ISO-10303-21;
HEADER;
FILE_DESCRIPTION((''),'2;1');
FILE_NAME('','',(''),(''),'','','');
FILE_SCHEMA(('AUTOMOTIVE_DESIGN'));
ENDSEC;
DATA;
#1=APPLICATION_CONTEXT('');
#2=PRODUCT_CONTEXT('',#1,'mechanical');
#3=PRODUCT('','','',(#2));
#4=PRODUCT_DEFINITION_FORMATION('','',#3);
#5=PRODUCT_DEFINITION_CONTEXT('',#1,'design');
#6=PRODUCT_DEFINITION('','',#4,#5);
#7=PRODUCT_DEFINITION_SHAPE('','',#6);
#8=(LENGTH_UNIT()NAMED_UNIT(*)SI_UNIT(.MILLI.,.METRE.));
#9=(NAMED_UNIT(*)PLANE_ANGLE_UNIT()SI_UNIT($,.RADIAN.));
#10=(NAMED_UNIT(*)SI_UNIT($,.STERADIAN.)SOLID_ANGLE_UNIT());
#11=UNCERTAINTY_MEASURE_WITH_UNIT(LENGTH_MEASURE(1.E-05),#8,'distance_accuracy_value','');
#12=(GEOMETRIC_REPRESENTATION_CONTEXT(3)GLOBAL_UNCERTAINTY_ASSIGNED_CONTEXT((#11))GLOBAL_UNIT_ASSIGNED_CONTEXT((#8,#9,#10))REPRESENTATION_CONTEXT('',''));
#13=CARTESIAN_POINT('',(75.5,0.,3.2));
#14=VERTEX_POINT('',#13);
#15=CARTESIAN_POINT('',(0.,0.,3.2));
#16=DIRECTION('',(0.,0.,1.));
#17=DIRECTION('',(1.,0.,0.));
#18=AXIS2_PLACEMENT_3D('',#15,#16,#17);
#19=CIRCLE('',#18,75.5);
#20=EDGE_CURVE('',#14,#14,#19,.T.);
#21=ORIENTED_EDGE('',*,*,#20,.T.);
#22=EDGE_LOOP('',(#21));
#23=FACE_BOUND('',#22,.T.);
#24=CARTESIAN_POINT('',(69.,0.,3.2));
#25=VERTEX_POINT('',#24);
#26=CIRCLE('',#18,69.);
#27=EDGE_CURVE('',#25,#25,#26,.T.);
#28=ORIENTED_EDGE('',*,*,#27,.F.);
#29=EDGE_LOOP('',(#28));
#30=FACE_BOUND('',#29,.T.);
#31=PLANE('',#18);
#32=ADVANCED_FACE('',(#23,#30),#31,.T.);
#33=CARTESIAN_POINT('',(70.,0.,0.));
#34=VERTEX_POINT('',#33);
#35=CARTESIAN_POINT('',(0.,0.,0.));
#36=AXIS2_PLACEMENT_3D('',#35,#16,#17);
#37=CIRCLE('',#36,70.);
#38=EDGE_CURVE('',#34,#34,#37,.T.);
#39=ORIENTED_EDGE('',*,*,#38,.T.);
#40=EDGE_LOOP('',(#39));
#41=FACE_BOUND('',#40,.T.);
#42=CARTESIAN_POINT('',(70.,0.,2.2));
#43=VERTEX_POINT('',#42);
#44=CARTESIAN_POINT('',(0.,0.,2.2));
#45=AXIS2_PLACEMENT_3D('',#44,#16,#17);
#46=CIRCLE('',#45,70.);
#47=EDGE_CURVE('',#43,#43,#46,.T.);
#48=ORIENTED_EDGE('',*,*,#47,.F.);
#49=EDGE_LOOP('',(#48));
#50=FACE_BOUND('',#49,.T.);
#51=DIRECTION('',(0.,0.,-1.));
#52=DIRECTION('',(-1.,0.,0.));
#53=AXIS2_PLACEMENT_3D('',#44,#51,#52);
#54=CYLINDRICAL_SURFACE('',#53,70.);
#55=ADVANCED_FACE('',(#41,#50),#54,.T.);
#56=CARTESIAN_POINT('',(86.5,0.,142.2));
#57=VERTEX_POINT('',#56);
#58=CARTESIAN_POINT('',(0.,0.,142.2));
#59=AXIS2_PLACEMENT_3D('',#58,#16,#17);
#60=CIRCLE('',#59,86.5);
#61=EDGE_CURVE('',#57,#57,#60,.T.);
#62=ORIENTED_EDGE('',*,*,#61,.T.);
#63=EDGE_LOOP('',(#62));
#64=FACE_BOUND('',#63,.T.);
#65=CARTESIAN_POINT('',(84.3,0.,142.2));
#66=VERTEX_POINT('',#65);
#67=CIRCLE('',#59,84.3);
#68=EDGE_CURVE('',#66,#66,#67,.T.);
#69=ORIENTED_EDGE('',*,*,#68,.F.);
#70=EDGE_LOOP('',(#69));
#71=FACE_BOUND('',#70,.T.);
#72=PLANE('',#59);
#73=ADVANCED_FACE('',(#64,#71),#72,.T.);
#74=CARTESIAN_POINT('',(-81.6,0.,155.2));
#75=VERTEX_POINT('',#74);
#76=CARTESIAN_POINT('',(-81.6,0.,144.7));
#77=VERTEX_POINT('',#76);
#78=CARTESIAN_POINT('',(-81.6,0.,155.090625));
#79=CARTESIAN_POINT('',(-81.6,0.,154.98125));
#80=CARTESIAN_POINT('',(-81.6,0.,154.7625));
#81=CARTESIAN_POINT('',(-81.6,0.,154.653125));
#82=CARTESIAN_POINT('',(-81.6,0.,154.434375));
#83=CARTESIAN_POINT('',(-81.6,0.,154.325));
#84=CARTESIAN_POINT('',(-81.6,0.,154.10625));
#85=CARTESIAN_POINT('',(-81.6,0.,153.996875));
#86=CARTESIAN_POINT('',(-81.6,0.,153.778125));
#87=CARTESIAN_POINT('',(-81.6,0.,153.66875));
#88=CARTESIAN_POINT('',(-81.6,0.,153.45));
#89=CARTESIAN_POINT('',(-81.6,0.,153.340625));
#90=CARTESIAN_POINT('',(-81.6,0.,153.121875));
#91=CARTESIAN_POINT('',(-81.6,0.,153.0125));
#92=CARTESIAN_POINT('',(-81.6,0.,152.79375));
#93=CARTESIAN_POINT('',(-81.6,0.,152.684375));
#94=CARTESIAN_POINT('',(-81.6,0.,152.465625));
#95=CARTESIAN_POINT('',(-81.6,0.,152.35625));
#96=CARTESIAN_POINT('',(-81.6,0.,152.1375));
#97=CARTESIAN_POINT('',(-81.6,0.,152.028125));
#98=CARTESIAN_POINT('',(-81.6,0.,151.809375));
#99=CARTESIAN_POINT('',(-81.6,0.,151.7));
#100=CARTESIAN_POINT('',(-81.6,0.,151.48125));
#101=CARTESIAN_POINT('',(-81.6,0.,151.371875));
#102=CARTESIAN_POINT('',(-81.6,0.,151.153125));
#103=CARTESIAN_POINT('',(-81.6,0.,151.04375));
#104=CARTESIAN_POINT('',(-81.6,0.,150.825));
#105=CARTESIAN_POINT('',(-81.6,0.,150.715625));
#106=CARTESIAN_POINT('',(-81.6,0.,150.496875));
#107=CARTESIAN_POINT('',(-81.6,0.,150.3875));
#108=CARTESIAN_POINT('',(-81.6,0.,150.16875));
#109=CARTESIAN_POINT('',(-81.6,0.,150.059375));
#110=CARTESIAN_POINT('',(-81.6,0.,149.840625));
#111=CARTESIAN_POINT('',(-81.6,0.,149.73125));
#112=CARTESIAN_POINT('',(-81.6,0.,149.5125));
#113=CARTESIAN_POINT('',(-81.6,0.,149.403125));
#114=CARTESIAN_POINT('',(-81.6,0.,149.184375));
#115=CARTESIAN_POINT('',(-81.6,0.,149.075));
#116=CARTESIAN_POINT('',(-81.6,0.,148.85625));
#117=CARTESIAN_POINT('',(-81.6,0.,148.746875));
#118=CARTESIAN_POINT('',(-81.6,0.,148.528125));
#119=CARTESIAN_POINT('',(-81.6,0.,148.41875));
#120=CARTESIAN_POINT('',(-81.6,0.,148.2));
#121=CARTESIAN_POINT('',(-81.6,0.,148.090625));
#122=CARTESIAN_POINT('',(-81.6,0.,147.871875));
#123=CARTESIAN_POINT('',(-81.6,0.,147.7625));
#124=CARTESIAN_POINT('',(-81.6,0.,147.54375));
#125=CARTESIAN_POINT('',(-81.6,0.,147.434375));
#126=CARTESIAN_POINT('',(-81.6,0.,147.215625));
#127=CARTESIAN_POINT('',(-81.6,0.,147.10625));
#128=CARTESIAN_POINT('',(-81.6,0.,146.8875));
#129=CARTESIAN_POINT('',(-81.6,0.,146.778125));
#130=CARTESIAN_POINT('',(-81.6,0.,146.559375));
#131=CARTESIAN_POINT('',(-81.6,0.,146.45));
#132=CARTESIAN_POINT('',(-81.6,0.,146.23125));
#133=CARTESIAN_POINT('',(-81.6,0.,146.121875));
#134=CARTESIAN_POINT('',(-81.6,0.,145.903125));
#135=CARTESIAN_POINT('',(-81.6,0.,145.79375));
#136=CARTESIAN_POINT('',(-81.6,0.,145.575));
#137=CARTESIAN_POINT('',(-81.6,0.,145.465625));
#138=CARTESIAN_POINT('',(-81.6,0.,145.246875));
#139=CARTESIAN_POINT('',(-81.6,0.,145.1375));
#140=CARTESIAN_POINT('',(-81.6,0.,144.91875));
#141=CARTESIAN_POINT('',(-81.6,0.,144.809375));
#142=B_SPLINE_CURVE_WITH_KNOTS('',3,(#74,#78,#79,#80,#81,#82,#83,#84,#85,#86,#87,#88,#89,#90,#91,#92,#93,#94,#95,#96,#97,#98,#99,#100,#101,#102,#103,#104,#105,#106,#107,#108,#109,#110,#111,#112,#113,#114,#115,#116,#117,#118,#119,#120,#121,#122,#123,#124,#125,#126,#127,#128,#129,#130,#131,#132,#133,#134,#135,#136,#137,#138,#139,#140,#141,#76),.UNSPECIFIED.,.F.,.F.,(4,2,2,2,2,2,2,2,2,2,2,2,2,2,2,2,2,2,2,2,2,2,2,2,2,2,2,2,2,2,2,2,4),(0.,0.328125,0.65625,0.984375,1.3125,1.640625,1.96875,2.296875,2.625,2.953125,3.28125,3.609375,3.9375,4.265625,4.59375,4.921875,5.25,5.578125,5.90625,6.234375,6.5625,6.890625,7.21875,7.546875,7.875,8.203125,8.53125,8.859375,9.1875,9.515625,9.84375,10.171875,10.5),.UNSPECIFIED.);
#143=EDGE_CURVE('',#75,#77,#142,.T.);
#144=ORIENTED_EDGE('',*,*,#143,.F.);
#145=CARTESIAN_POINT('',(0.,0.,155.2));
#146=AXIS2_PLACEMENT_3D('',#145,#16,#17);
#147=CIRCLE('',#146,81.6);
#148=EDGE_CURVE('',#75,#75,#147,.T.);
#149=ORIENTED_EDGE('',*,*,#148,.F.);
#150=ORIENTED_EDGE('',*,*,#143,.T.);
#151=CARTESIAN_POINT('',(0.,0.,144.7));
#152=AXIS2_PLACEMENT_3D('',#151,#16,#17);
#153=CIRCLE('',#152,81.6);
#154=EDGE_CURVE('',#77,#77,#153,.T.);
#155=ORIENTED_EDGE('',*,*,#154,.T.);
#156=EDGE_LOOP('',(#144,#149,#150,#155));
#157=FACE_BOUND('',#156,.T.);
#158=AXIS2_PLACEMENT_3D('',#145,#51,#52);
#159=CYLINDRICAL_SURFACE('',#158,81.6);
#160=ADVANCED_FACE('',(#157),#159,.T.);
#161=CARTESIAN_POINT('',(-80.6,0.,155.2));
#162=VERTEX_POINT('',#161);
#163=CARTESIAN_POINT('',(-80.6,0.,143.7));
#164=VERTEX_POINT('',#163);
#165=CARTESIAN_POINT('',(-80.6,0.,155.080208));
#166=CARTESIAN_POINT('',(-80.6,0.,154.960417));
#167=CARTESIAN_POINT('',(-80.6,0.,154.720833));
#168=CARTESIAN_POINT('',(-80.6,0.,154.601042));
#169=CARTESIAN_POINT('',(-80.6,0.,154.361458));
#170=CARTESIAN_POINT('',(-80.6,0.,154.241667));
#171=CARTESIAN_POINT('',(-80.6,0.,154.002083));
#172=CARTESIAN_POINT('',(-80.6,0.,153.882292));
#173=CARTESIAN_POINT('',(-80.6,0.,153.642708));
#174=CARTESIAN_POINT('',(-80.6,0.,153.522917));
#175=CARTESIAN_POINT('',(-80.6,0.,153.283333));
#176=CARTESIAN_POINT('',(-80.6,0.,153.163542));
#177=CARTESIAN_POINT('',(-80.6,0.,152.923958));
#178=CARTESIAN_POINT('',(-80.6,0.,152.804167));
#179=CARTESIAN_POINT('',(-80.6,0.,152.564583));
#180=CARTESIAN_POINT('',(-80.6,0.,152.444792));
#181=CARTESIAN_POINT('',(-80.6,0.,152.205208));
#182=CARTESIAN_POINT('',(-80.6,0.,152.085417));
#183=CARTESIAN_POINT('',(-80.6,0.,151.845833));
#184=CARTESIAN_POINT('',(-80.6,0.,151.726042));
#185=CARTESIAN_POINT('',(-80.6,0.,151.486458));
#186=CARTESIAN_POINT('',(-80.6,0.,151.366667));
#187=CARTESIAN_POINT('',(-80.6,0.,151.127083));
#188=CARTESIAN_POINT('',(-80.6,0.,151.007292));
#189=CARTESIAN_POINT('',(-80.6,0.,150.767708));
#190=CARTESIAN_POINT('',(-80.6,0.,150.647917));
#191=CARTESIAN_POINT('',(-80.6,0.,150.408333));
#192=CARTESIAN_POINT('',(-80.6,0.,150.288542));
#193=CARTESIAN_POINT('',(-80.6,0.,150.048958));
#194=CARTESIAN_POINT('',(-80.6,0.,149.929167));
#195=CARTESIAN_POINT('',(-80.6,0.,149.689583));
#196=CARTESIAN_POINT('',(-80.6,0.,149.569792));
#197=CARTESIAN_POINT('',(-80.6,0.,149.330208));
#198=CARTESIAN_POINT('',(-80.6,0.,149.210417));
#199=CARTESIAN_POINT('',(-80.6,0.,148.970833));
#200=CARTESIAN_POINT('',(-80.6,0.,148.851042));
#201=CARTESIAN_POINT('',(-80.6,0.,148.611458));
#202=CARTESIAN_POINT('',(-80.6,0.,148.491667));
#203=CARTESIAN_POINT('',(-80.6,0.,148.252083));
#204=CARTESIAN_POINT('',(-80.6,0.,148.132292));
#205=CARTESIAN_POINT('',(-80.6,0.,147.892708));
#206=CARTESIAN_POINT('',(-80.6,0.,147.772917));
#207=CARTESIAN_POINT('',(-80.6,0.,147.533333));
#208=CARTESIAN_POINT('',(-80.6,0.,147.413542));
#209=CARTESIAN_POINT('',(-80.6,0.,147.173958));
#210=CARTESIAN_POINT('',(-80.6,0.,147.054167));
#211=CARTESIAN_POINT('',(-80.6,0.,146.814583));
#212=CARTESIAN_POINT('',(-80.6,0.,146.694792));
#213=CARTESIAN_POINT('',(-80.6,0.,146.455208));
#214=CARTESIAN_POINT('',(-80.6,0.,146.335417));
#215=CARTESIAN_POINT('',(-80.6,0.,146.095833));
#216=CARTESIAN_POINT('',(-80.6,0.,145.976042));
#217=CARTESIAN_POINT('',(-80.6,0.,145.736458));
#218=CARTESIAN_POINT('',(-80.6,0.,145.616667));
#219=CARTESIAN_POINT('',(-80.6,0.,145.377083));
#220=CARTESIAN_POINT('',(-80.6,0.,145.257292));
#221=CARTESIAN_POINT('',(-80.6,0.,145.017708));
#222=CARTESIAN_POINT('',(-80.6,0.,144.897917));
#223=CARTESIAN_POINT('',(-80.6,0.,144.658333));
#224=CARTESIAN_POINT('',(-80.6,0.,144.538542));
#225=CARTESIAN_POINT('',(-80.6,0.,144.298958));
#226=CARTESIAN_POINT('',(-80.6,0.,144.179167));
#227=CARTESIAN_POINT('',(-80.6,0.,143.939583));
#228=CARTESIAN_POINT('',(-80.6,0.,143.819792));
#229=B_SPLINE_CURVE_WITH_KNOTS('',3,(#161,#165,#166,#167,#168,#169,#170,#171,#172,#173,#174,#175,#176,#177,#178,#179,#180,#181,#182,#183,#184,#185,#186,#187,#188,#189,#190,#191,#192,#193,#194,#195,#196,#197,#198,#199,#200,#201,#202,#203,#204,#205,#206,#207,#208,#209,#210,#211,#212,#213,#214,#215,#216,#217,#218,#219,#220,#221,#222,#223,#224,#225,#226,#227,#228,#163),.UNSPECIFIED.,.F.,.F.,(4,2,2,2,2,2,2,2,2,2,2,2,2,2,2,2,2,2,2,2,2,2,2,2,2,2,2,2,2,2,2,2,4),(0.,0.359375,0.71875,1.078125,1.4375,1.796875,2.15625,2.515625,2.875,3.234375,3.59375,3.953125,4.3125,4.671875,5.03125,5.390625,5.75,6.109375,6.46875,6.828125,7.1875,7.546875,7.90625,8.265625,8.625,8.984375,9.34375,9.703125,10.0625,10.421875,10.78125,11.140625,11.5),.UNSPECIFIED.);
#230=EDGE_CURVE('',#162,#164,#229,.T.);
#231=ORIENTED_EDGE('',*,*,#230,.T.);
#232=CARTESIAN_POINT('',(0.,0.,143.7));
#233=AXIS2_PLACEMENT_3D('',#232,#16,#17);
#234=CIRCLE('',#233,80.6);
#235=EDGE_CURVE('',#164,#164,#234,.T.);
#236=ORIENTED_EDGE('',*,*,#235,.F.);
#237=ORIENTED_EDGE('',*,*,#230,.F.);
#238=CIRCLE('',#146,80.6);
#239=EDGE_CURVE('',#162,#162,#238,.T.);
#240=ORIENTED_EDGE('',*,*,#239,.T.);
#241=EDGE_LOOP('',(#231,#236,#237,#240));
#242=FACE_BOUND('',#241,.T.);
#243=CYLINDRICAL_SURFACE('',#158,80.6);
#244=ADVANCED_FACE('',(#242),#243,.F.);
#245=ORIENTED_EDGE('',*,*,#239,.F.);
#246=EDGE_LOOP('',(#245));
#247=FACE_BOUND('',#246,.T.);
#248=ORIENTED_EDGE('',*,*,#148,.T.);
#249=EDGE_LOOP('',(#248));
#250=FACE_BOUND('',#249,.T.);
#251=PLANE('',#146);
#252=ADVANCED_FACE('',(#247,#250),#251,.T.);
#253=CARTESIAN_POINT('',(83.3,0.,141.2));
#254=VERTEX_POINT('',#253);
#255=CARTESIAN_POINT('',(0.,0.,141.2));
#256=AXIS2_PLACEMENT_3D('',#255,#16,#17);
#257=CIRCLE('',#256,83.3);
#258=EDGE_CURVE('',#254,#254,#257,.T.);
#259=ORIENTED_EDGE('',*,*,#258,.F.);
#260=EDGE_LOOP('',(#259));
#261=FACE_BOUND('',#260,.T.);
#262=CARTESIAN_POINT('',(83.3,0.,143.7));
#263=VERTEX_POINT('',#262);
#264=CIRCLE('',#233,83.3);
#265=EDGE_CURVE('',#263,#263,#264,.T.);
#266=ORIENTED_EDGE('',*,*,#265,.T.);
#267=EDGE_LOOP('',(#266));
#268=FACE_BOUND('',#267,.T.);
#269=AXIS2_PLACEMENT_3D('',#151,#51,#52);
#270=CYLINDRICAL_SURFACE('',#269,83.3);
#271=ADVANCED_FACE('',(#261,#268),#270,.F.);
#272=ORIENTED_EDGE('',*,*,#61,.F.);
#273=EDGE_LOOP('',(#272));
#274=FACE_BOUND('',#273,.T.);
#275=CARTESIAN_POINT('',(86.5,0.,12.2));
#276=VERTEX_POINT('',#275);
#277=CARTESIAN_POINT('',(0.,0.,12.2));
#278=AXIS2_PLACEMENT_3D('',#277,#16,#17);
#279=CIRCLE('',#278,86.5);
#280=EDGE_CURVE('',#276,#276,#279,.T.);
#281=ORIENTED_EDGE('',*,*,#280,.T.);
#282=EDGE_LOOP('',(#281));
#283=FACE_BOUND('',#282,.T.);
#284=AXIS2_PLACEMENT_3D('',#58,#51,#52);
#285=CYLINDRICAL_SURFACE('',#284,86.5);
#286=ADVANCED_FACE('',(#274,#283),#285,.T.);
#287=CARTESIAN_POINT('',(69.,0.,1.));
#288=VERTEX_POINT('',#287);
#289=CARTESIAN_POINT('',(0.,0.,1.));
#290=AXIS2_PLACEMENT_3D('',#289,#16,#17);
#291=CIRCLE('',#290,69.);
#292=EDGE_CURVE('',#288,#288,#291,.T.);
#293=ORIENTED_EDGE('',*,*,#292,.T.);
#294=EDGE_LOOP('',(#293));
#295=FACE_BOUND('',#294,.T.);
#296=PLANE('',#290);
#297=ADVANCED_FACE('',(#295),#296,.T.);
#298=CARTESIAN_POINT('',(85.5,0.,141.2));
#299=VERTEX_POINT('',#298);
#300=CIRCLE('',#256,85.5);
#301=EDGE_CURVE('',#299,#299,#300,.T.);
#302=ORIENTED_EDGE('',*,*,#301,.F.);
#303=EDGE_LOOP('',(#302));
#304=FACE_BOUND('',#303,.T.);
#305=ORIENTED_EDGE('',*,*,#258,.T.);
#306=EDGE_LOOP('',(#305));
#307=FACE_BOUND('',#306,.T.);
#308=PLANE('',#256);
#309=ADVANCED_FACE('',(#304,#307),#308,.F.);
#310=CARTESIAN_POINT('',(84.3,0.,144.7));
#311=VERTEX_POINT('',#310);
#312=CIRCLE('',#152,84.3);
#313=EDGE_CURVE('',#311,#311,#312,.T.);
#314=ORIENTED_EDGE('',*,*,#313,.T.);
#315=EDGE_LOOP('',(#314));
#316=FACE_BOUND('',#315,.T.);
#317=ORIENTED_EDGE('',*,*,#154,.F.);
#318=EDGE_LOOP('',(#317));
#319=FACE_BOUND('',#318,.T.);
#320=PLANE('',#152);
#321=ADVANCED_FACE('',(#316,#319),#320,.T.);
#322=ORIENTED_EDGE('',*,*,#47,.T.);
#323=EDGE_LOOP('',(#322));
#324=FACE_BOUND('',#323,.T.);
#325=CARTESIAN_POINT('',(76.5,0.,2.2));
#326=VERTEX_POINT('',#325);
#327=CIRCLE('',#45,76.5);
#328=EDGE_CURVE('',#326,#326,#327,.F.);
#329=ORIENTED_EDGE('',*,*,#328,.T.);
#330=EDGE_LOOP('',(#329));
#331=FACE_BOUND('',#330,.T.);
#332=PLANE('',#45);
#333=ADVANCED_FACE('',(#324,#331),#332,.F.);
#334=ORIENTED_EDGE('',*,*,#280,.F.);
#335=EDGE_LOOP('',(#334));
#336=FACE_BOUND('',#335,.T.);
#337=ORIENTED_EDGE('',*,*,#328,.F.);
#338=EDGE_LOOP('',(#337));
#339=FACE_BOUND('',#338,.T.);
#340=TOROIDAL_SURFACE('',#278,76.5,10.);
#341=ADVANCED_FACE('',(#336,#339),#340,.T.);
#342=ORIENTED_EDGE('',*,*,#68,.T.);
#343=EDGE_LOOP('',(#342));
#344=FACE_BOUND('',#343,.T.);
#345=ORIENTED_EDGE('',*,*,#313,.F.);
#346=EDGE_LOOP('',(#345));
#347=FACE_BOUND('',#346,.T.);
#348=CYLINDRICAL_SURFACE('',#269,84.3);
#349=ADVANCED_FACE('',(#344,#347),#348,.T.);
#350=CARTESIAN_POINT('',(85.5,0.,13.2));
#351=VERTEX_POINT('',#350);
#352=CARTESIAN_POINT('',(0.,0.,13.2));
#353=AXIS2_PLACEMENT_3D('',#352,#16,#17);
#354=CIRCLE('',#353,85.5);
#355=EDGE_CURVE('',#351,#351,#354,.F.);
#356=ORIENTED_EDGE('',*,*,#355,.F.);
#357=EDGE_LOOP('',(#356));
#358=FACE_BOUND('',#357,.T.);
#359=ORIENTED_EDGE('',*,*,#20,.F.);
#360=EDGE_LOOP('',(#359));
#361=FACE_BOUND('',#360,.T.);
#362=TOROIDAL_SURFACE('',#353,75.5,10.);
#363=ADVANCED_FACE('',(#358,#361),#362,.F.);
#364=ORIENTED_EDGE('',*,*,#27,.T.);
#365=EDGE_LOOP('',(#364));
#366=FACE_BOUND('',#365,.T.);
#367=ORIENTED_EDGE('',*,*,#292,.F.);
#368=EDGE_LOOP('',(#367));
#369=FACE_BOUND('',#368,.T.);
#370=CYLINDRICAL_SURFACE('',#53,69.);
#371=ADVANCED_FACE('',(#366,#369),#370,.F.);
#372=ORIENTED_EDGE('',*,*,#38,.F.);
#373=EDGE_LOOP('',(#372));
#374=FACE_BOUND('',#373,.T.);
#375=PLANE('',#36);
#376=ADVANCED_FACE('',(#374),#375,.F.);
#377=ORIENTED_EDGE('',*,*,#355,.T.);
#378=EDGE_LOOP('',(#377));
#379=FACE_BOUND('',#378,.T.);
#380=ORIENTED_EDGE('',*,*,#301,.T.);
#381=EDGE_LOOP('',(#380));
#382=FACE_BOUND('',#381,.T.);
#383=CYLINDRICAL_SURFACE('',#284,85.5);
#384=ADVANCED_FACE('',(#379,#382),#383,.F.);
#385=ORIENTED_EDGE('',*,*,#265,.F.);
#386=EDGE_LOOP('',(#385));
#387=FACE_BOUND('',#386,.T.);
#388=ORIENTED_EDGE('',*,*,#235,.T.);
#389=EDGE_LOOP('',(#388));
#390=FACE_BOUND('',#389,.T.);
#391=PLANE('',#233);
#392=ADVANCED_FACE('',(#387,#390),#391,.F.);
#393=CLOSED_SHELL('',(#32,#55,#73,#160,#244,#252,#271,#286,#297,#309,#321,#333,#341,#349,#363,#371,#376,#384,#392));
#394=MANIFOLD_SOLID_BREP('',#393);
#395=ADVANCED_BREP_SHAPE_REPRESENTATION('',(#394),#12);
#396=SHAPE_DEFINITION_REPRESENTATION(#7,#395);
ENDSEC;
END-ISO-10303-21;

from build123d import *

# Parameters (mm, degrees)
SCHIZZO1_R                   = 70
ESTRUSIONE_ESTRUSIONE1_DEPTH = 2.2
SCHIZZO2_R                   = 86.5
ESTRUSIONE_ESTRUSIONE2_DEPTH = 140
SCHIZZO3_R                   = 84.3
ESTRUSIONE_ESTRUSIONE3_DEPTH = 2.5
SCHIZZO4_R                   = 81.6
ESTRUSIONE_ESTRUSIONE4_DEPTH = 10.5
SVUOTA1_T                    = -1
RACCORDO1_R                  = 10


with BuildPart() as part:
    # Schizzo1 → Estrusione-Estrusione1 (new body)
    with BuildSketch(Plane.XY):
        Circle(SCHIZZO1_R)
    extrude(amount=ESTRUSIONE_ESTRUSIONE1_DEPTH)

    # Schizzo2 → Estrusione-Estrusione2 (add)
    with BuildSketch(Plane.XY.offset(2.2)):
        Circle(SCHIZZO2_R)
    extrude(amount=ESTRUSIONE_ESTRUSIONE2_DEPTH)

    # Schizzo3 → Estrusione-Estrusione3 (add)
    with BuildSketch(Plane.XY.offset(142.2)):
        Circle(SCHIZZO3_R)
    extrude(amount=ESTRUSIONE_ESTRUSIONE3_DEPTH)

    # Schizzo4 → Estrusione-Estrusione4 (add)
    with BuildSketch(Plane.XY.offset(144.7)):
        with Locations(Location((0, 0, 0), (0, 0, 180))):
            Circle(SCHIZZO4_R)
    extrude(amount=ESTRUSIONE_ESTRUSIONE4_DEPTH)

    # Svuota1
    svuota1_openings = [part.faces().sort_by_distance(p)[0] for p in [
        (0, 0, 155.2),
    ]]
    offset(amount=SVUOTA1_T, openings=svuota1_openings, kind=Kind.INTERSECTION)

    # Raccordo1
    raccordo1_edges = [part.edges().sort_by_distance(p)[0] for p in [
        (-85.5, 0, 3.2),
        (-86.5, 0, 2.2),
    ]]
    fillet(raccordo1_edges, radius=RACCORDO1_R)


solid = part.part
